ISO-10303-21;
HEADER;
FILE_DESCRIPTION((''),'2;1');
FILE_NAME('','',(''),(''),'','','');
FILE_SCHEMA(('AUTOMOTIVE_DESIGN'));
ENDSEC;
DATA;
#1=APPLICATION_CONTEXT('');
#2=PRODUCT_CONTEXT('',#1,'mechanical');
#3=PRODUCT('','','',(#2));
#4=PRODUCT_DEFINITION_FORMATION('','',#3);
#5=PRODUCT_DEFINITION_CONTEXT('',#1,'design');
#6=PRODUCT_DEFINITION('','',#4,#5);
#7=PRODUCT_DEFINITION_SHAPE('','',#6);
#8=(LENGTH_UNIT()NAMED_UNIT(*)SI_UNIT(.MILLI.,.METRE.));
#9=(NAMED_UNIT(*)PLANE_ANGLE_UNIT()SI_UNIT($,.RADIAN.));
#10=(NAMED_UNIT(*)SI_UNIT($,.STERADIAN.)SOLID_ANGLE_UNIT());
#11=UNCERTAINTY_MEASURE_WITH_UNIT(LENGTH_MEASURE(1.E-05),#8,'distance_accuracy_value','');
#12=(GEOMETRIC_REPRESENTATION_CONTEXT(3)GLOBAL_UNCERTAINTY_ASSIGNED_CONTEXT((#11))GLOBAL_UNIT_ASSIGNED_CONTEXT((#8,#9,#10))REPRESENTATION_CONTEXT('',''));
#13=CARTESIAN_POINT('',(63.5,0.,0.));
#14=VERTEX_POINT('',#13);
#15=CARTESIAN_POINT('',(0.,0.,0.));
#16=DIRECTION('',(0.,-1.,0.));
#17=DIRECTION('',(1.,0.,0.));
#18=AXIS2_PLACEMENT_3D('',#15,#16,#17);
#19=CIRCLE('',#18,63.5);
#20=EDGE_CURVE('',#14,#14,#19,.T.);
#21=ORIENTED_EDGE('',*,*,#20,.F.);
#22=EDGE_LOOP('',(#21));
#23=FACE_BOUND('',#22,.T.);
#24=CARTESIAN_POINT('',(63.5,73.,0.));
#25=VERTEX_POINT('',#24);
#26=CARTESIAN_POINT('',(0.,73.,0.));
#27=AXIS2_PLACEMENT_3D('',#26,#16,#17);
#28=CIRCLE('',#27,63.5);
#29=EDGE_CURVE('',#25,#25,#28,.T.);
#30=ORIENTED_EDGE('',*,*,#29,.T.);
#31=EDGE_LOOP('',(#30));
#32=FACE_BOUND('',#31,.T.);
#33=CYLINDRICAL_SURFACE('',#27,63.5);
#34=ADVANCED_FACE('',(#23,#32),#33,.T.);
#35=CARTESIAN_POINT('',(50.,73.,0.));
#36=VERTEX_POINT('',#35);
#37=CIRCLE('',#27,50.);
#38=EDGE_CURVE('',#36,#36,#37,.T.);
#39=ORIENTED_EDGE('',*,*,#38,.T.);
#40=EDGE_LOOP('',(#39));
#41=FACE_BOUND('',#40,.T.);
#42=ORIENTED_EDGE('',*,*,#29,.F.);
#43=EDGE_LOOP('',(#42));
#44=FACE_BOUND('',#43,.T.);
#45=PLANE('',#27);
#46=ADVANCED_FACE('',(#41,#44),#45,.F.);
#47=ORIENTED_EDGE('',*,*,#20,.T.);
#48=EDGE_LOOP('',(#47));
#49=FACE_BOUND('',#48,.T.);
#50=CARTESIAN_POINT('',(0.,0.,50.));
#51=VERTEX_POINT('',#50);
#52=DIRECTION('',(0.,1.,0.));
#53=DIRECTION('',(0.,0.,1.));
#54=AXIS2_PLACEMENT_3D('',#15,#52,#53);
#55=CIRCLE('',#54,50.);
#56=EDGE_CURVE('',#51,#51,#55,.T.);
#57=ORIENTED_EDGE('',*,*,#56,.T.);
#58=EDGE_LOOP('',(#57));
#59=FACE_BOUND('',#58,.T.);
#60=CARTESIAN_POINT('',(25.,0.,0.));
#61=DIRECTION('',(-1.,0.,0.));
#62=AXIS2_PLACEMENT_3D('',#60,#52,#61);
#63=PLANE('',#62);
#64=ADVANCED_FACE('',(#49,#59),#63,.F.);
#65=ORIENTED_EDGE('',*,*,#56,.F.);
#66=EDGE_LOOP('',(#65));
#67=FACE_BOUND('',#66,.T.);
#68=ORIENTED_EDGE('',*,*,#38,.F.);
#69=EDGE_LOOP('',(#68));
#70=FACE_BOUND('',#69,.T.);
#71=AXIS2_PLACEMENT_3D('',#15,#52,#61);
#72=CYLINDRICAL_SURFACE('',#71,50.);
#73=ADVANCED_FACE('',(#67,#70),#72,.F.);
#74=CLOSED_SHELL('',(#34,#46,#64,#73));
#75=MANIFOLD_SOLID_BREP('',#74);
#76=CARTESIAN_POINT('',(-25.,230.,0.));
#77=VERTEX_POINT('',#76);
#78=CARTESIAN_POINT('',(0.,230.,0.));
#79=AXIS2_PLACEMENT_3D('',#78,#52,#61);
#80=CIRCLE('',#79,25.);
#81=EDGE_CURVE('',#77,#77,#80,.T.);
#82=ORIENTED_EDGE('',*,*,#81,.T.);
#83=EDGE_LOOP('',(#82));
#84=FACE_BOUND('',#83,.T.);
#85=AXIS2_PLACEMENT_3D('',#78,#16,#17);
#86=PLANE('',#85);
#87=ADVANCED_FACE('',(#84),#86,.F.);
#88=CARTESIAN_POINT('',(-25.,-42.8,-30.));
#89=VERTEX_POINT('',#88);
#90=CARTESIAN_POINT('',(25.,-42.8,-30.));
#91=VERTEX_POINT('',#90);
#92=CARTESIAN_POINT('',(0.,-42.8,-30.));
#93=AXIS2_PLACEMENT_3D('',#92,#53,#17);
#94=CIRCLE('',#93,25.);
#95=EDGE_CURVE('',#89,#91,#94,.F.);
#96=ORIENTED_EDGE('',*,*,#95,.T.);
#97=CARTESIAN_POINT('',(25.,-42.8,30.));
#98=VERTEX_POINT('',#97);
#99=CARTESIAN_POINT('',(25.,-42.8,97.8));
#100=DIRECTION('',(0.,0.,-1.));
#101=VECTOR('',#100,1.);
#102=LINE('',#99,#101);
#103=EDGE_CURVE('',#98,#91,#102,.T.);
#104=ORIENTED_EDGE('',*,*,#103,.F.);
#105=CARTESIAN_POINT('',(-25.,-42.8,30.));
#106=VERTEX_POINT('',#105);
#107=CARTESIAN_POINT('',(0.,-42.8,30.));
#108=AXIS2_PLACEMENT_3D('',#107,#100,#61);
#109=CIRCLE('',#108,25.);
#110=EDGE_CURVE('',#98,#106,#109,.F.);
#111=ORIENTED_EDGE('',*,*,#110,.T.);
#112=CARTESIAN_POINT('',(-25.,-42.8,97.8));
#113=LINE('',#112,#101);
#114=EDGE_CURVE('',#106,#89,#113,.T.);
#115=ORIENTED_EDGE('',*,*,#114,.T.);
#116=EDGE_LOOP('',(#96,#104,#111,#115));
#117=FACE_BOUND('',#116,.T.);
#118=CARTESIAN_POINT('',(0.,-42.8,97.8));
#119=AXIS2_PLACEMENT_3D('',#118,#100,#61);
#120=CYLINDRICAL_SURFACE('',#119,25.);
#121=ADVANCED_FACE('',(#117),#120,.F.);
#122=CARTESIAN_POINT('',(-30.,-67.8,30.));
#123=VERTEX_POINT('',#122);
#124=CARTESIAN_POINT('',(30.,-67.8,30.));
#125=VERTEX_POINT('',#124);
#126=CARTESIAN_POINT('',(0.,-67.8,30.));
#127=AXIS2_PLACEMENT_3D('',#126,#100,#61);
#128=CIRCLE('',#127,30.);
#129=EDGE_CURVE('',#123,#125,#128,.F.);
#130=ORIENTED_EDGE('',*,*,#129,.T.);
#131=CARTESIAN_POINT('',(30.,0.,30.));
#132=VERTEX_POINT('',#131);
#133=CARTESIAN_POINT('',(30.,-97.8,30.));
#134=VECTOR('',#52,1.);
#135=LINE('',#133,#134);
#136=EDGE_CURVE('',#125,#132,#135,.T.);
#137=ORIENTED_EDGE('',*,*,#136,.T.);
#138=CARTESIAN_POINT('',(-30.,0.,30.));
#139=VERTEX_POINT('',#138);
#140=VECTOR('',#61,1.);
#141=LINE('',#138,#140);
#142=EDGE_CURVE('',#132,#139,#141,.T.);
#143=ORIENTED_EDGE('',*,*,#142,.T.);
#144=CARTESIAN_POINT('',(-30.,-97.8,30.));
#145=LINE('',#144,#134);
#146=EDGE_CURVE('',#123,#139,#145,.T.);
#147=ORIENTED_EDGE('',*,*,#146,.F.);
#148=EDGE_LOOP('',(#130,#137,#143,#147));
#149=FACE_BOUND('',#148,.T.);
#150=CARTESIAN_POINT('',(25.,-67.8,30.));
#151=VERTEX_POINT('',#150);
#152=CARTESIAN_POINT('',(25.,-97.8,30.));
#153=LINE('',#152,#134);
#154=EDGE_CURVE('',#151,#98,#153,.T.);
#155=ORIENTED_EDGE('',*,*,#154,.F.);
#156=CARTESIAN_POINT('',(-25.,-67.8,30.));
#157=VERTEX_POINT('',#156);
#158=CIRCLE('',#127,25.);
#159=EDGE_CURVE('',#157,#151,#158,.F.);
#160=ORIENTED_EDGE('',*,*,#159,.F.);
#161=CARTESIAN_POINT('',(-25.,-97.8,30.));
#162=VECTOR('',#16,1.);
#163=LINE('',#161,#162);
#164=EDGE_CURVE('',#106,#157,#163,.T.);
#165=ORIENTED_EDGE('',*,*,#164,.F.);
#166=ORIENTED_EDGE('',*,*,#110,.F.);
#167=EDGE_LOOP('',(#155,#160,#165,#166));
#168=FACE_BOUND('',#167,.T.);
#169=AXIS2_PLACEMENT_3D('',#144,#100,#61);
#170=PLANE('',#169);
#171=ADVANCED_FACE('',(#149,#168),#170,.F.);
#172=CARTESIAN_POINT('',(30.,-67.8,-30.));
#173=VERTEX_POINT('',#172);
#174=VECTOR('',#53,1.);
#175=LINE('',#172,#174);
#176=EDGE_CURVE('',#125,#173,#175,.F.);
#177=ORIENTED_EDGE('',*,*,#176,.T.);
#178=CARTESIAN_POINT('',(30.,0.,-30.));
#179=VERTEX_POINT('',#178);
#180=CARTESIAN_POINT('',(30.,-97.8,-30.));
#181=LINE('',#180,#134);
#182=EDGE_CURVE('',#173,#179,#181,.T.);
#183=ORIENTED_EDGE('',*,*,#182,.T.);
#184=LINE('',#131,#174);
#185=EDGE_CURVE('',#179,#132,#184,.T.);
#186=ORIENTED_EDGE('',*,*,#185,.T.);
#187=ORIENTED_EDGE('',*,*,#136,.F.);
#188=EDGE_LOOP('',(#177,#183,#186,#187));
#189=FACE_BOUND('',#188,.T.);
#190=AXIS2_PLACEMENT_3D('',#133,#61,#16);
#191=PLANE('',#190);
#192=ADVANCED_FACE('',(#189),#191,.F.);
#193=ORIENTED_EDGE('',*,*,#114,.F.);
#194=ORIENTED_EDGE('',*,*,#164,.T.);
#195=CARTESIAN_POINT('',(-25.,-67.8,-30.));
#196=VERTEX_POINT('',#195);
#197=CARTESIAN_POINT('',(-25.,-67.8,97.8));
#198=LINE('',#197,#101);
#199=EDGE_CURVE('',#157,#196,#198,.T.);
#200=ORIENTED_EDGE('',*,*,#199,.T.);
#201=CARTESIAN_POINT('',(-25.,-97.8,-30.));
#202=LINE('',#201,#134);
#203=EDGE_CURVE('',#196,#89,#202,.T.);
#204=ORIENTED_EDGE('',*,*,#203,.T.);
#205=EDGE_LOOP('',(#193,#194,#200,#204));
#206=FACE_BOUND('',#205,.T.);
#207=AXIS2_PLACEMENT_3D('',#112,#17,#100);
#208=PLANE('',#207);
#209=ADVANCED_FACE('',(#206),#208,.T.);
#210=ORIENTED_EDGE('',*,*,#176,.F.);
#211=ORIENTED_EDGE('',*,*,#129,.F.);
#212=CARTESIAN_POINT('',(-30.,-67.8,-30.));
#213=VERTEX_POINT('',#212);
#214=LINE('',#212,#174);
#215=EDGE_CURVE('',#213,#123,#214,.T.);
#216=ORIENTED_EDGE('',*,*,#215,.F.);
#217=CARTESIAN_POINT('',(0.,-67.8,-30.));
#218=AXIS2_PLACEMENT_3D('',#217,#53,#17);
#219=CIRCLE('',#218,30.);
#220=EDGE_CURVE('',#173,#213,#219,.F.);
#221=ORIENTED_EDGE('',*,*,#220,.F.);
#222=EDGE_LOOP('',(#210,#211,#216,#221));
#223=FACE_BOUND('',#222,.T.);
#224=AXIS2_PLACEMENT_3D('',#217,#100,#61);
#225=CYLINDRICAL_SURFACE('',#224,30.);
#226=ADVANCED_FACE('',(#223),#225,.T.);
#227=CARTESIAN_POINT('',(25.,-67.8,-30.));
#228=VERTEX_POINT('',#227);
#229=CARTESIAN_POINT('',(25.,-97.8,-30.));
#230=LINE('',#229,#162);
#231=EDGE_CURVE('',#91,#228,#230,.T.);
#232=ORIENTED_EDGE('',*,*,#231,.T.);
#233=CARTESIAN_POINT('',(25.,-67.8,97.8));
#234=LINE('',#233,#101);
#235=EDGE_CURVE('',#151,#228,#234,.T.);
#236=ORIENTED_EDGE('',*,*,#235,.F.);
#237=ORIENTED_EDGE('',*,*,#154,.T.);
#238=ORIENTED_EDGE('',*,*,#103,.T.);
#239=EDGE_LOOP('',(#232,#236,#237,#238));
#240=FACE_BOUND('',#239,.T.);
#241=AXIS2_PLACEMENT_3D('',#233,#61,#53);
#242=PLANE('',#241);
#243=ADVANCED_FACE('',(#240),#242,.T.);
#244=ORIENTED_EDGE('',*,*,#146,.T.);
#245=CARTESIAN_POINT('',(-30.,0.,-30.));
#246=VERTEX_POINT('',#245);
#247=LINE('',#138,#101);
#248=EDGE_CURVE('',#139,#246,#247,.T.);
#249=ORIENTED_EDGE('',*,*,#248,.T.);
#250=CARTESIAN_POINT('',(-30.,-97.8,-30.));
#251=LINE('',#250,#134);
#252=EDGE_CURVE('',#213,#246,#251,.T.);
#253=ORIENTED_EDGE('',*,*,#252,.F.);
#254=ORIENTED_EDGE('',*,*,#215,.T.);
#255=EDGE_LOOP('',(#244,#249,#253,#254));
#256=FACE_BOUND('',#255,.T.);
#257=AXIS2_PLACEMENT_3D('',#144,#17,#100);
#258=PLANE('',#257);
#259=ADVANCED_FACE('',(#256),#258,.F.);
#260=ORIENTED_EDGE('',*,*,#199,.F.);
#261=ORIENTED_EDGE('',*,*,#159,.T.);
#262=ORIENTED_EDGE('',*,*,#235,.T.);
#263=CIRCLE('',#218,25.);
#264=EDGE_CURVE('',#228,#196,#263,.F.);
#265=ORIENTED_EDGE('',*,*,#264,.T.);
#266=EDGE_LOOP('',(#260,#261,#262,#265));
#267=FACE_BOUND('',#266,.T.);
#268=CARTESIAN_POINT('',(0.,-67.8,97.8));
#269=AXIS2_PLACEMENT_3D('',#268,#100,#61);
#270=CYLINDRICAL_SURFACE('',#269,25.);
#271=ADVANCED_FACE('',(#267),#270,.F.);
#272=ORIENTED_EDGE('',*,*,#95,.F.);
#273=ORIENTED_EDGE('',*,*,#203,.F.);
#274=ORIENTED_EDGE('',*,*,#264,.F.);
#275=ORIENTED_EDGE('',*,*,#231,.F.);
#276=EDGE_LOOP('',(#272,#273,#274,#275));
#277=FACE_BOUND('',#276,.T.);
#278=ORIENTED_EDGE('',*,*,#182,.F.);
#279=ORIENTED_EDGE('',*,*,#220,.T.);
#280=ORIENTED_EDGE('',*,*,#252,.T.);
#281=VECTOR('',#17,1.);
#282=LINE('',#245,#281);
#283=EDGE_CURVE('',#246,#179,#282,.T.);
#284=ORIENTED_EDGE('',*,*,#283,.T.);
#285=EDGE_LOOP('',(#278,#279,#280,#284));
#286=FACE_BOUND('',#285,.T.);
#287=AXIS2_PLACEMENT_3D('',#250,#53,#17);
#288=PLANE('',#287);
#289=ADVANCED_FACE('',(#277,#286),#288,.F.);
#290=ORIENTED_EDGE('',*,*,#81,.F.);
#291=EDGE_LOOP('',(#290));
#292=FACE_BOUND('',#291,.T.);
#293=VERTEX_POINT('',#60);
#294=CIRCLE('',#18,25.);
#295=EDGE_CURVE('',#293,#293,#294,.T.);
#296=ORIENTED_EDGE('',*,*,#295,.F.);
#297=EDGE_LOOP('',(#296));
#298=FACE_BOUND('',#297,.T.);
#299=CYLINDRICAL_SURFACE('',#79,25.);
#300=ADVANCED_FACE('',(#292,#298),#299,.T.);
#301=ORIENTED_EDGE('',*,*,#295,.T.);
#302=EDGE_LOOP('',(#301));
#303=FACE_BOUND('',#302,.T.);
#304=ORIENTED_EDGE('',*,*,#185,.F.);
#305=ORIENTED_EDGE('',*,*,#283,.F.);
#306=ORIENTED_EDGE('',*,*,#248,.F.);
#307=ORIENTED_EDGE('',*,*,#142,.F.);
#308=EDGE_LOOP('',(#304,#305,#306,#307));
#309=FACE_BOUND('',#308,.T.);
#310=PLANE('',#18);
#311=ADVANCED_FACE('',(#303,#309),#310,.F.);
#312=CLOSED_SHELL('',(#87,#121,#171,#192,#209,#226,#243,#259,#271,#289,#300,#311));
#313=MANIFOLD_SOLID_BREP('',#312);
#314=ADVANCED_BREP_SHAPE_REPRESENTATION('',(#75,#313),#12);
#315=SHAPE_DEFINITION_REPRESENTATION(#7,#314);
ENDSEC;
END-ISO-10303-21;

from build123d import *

# Parameters (mm, degrees)
SKETCH2_W               = 25
SKETCH2_H               = 230
SKETCH13_R              = 63.5
BOSS_EXTRUDE5_DEPTH     = 73
SKETCH16_R              = 50
SKETCH16_R_2            = 25
CUT_EXTRUDE7_DEPTH      = 230
SKETCH17_W              = 60
SKETCH17_H              = 60
BOSS_EXTRUDE7_DEPTH     = 97.8
CUT_EXTRUDE8_DEPTH      = 97.8
CUT_EXTRUDE8_DEPTH_BACK = 97.8
FILLET15_RADIUS         = 30
FILLET15_LENGTH         = 60


with BuildPart() as part:
    # Sketch2 → Revolve2 (revolve)
    with BuildSketch(Plane.XY, mode=Mode.PRIVATE) as revolve2_sk:
        with Locations((12.5, 115)):
            Rectangle(SKETCH2_W, SKETCH2_H)
    revolve(revolve2_sk.sketch.rotate(Axis((0, 230, 0), (0, -1, 0)), 180), axis=Axis((0, 230, 0), (0, -1, 0)))

    # Sketch13 → Boss-Extrude5 (add)
    with BuildSketch(Plane.XZ):
        Circle(SKETCH13_R)
    extrude(amount=-BOSS_EXTRUDE5_DEPTH)

    # Sketch16 → Cut-Extrude7 (cut)
    with BuildSketch(Plane(origin=(0, 230, 0), x_dir=(1, 0, 0), z_dir=(0, 1, 0))):
        with Locations(Location((0, 0, 0), (0, 0, 270))):
            Circle(SKETCH16_R)
        with Locations(Location((0, 0, 0), (0, 0, 180))):
            Circle(SKETCH16_R_2, mode=Mode.SUBTRACT)
    extrude(amount=-CUT_EXTRUDE7_DEPTH, mode=Mode.SUBTRACT)


with BuildPart() as cut_extrude7_piece_1:
    # of the separate pieces the step leaves, piece 1, a body of its own (cut_extrude7_pieces)
    add(part.part.solids().sort_by_distance((-25, 0, 0))[0])

    # Sketch17 → Boss-Extrude7 (add)
    with BuildSketch(Plane.XZ):
        Rectangle(SKETCH17_W, SKETCH17_H)
    extrude(amount=BOSS_EXTRUDE7_DEPTH)

    # Sketch18 → Cut-Extrude8 (cut, two sides: drawn at the far end of the back side and taken through both)
    with BuildSketch(Plane.XY.offset(-CUT_EXTRUDE8_DEPTH_BACK)):
        with BuildLine():
            Line((-25, -42.8), (-25, -67.8))
            ThreePointArc((-25, -67.8), (0, -92.8), (25, -67.8))
            Line((25, -67.8), (25, -42.8))
            ThreePointArc((25, -42.8), (0, -17.8), (-25, -42.8))
        make_face()
    extrude(amount=CUT_EXTRUDE8_DEPTH + CUT_EXTRUDE8_DEPTH_BACK, mode=Mode.SUBTRACT)

    # Fillet15: full round fillet: the end face becomes a half cylinder, R = half its width
    fillet15_face = Plane((0, -97.8, 0), x_dir=(0, 0, 1), z_dir=(0, -1, 0))  # on the end face: x along it, z out of the body
    fillet15_slab = fillet15_face.offset(-FILLET15_RADIUS / 2) * Box(FILLET15_LENGTH, 2 * FILLET15_RADIUS, FILLET15_RADIUS, mode=Mode.PRIVATE)  # the body's end, R deep
    fillet15_round = Plane((0, -67.8, 0), x_dir=(0, -1, 0), z_dir=(0, 0, 1)) * Cylinder(FILLET15_RADIUS, FILLET15_LENGTH, mode=Mode.PRIVATE)  # its axis R under the face
    add(fillet15_slab - fillet15_round, mode=Mode.SUBTRACT)


with BuildPart() as cut_extrude7_piece_2:
    # of the separate pieces the step leaves, piece 2, a body of its own (cut_extrude7_pieces)
    add(part.part.solids().sort_by_distance((63.5, 0, 0))[0])


solid = Compound([cut_extrude7_piece_1.part, cut_extrude7_piece_2.part])
